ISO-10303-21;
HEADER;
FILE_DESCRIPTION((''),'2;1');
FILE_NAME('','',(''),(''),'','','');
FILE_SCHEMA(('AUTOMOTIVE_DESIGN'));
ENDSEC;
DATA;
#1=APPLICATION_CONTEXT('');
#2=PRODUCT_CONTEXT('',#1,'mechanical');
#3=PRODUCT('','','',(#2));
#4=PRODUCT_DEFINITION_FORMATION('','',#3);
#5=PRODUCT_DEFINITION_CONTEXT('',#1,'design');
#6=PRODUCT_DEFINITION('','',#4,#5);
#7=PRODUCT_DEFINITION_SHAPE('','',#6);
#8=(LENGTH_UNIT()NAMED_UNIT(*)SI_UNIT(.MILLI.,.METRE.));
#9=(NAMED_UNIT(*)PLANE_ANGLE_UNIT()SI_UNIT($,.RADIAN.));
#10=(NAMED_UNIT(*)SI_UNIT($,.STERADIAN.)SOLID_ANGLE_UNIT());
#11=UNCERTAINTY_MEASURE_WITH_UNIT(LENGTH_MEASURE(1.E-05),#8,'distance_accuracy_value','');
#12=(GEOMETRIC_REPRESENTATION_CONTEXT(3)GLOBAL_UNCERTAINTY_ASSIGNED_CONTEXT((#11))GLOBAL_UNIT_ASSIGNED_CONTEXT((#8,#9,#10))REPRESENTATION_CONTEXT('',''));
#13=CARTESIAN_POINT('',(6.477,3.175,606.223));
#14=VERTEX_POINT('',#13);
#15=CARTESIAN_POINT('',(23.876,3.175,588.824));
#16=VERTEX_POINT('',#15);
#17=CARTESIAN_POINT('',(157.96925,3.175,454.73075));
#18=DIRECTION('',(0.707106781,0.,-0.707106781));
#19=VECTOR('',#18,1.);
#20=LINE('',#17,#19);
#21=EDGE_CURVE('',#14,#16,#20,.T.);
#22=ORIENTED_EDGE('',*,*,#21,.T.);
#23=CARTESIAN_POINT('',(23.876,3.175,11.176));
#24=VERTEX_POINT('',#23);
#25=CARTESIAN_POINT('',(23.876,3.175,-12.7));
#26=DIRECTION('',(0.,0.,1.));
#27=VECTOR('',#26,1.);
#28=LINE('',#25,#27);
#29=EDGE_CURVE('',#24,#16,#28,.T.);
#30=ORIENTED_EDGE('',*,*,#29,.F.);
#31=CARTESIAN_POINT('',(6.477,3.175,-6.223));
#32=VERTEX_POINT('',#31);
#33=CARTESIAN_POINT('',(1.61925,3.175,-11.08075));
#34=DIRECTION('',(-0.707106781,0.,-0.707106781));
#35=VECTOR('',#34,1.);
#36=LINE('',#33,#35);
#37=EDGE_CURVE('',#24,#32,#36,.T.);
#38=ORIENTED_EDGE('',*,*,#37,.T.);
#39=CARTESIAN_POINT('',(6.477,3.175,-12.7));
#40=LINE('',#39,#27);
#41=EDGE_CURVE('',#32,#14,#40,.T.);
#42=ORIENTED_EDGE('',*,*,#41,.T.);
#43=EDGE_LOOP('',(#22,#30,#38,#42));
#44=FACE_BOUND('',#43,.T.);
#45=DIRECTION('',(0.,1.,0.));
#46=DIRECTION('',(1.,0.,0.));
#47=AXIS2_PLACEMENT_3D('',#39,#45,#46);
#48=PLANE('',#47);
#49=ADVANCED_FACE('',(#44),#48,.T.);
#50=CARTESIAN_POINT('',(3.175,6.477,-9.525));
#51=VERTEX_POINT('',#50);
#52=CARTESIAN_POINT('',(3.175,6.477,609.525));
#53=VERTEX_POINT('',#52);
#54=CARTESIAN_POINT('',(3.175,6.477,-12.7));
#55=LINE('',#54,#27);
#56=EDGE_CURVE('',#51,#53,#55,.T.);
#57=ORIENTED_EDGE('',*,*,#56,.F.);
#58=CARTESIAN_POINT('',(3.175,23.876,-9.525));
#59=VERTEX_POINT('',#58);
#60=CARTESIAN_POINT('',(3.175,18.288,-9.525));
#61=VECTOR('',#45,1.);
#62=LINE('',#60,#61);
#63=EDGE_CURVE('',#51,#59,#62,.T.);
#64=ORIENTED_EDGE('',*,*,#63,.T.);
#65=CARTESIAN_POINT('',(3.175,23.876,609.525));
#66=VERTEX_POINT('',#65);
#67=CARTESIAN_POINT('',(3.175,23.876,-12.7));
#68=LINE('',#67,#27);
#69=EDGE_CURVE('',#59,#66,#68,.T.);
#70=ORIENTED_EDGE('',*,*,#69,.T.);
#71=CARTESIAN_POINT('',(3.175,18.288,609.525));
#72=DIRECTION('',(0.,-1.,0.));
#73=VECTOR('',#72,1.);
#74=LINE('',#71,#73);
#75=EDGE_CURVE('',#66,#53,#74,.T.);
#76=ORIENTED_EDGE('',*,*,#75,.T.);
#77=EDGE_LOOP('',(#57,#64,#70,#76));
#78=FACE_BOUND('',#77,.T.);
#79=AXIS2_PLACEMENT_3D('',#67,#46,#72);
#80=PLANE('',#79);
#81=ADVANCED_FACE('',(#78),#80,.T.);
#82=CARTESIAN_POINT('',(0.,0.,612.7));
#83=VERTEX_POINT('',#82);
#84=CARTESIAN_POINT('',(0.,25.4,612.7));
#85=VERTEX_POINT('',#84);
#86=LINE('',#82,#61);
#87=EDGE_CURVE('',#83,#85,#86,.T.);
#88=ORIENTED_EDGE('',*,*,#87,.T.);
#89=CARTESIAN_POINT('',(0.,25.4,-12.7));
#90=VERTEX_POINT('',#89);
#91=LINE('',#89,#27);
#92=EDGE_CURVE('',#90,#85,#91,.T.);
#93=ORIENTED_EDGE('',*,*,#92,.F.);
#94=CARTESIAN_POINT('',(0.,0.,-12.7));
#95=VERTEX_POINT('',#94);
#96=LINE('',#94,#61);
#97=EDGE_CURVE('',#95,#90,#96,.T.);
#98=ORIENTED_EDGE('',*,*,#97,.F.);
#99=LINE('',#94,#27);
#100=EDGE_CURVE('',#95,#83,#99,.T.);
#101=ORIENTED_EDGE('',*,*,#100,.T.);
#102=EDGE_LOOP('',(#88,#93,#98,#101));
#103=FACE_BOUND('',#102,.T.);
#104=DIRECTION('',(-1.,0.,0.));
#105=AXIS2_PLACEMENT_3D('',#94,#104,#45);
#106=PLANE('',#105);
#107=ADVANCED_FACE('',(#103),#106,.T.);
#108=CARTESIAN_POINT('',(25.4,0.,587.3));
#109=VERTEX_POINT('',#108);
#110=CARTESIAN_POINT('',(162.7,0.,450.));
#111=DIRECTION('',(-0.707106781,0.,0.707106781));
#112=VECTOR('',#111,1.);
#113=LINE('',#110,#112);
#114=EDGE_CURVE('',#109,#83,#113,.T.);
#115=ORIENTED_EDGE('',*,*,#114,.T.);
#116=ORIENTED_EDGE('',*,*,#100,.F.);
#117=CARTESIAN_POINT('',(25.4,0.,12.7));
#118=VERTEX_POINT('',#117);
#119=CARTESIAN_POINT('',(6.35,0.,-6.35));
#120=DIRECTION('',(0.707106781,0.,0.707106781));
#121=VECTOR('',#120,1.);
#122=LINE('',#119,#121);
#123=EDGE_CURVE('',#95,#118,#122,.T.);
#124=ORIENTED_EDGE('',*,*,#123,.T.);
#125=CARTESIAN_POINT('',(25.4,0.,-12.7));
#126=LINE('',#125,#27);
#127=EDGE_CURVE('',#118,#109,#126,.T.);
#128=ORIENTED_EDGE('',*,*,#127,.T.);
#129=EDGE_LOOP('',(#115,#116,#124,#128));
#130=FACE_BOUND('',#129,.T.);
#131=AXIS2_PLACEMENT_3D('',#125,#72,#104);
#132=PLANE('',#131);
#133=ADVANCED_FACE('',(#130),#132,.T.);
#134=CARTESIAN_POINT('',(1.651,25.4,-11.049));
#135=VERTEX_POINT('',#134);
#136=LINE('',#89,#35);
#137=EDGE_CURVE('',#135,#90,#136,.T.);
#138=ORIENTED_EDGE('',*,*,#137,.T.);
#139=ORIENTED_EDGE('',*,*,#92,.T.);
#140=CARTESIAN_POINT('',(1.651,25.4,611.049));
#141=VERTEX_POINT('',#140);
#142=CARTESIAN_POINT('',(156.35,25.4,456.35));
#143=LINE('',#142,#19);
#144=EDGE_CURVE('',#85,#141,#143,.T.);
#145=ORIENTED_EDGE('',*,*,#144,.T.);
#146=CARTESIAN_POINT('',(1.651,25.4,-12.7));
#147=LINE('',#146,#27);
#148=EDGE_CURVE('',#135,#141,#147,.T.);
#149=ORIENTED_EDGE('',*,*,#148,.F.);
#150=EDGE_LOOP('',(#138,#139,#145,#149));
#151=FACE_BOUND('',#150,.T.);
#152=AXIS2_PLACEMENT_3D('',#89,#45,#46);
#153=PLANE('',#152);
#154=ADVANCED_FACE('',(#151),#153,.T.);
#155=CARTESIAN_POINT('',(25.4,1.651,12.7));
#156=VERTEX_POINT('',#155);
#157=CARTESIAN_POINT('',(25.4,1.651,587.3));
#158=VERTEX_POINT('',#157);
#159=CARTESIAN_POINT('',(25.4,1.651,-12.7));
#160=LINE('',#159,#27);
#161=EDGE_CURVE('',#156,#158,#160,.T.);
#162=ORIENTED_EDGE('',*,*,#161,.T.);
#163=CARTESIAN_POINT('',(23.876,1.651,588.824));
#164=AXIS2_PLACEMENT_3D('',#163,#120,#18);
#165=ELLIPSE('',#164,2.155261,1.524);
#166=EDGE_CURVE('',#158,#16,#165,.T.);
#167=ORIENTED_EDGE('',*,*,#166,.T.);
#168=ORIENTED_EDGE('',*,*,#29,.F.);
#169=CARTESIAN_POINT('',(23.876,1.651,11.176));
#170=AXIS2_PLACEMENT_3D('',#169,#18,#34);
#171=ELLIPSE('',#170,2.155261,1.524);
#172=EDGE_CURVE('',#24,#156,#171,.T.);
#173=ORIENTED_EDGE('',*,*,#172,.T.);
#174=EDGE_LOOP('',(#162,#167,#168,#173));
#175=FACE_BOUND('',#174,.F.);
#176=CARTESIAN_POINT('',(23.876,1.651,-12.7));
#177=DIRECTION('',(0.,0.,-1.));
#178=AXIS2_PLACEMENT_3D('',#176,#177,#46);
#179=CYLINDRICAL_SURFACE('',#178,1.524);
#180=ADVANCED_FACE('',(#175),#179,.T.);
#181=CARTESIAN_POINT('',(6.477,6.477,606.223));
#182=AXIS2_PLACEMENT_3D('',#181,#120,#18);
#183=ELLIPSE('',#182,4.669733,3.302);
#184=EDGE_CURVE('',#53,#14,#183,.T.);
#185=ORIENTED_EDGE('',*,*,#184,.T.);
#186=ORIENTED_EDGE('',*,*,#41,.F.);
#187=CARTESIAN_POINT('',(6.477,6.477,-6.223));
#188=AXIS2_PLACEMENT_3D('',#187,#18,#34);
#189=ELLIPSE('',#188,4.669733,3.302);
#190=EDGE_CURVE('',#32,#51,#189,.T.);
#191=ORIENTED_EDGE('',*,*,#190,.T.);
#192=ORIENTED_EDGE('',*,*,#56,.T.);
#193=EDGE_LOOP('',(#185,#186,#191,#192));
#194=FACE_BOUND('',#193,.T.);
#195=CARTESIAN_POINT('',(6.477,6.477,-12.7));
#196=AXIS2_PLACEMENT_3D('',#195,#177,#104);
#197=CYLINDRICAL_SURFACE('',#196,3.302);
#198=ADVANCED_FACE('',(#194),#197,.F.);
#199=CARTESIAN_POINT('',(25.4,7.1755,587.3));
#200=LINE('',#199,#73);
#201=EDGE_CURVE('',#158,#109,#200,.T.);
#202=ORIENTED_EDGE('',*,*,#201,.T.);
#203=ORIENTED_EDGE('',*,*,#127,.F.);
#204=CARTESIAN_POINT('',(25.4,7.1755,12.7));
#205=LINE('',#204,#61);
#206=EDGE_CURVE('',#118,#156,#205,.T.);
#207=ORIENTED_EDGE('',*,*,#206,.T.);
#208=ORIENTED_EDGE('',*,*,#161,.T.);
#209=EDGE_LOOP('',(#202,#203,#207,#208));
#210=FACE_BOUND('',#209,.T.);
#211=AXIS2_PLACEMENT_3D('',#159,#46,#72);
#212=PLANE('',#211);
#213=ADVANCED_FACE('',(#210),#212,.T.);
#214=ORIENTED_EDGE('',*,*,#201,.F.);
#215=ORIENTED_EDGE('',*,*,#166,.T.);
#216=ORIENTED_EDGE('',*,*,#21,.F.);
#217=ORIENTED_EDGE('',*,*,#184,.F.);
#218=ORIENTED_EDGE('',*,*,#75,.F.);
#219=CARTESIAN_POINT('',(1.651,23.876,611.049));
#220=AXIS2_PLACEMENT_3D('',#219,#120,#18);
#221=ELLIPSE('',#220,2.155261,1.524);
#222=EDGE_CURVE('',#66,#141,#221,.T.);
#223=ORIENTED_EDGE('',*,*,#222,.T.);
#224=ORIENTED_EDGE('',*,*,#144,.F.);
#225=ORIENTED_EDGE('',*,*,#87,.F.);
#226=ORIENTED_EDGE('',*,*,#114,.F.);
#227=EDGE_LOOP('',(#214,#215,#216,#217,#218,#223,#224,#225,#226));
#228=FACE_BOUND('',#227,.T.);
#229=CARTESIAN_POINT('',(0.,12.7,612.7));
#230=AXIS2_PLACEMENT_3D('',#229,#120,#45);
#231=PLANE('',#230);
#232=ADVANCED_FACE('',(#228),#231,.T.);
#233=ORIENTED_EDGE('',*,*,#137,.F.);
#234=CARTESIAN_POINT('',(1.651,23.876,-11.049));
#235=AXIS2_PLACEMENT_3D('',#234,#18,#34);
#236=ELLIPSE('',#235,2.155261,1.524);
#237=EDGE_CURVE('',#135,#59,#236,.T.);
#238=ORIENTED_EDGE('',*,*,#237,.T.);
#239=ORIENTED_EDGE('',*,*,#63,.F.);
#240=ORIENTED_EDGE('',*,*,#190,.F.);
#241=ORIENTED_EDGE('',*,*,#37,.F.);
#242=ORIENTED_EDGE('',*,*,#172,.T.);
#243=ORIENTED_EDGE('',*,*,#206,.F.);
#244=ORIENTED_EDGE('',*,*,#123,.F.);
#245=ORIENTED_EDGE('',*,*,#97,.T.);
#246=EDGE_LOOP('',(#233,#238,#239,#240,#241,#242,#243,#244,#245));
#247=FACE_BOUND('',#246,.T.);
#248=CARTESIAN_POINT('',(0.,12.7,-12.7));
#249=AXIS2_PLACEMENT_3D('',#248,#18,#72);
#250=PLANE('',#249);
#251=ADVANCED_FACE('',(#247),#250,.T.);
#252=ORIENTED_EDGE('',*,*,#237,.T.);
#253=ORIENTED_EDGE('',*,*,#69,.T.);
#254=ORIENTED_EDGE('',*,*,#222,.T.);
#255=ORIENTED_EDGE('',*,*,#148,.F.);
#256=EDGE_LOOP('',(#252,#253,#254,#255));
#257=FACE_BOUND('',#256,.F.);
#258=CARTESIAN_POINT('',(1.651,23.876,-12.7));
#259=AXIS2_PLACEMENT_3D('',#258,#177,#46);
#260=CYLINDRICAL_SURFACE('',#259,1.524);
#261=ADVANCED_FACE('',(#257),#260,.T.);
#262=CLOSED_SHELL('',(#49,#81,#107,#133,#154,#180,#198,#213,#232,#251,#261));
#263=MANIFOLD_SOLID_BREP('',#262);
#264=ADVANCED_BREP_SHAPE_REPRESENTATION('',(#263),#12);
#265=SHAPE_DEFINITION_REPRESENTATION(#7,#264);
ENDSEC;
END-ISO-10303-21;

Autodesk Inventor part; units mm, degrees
ref_plane "Start Plane" through (0, 0, -12.7) normal (0, 0, 1) x (1, 0, 0)
ref_plane "End Plane" through (0, 0, 612.7) normal (0, 0, 1) x (1, 0, 0)
sketch "Sketch" plane through (0, 0, 0) normal (0, 0, 1) x (1, 0, 0)
  line L0 (25.4, 0) -> (0, 0)
  line L1 (0, 0) -> (0, 25.4)
  line L2 (0, 25.4) -> (1.651, 25.4)
  line L3 (3.175, 23.876) -> (3.175, 6.477)
  line L4 (6.477, 3.175) -> (23.876, 3.175)
  line L5 (25.4, 1.651) -> (25.4, 0)
  line L6 (0, -11.0414) -> (0, 31.5385) construction
  line L7 (-11.0414, 0) -> (31.5385, 0) construction
  arc A0 (3.175, 6.477) -> (6.477, 3.175) centre (6.477, 6.477) ccw
  arc A1 (3.175, 23.876) -> (1.651, 25.4) centre (1.651, 23.876) ccw
  arc A2 (25.4, 1.651) -> (23.876, 3.175) centre (23.876, 1.651) ccw
  line L8 (0, 40.0545) -> (0, -19.5574) construction
  line L9 (-19.5574, 0) -> (40.0545, 0) construction
  point P0 (3.175, 25.4)
  point P1 (3.175, 3.175)
  point P2 (25.4, 3.175)
  dimension "d0" = 25.4
  dimension "d1" = 25.4
  dimension "d2" = 3.175
  dimension "d3" = 3.175
  dimension "d10" = 0
  dimension "d11" = 0
  dimension "d14" = 3.302
  dimension "d15" = 1.524
extrude "Body" add sketch "Sketch" along normal up to surface (625.4 mm away) from surface at -12.7
sketch "Sketch3" plane through (0, 0, 0) normal (0, 0, 1) x (1, 0, 0)
  line L0 (0, 0) -> (10, 0)
ref_plane "Work Plane3" through (0, 0, 0) normal (0, -1, 0) x (1, 0, 0)
ref_plane "Work Plane4" through (0, 12.7, 612.7) normal (0.7071, 0, 0.7071) x (0.7071, 0, -0.7071)
split "Split1" plane through (0, 12.7, 612.7) removes the side toward (0.7071, 0, 0.7071)
ref_plane "Work Plane5" through (0, 12.7, -12.7) normal (0.7071, 0, -0.7071) x (-0.7071, 0, -0.7071)
split "Split2" plane through (0, 12.7, -12.7) removes the side toward (0.7071, 0, -0.7071)
sketch "Sketch4" plane through (0, 0, 0) normal (0, -1, 0) x (1, 0, 0)
  line L0 (-2, -12.7) -> (12, -12.7) projected
  line L1 (-2, 612.7) -> (12, 612.7) projected
  dimension "d17" = 625.4
equation "\"d0\" = G_H"
equation "\"d1\" = G_H"
equation "\"d2\" = G_T"
equation "\"d3\" = G_T"
equation "\"d14\" = G_IR"
equation "\"d15\" = G_ER"
equation "\"d4\" = G_L"
equation "\"G_H\" = 25.4"
equation "\"G_T\" = 3.175"
equation "\"G_ER\" = 1.524"
equation "\"G_IR\" = 3.302"
equation "\"G_L\" = d17"
equation "\"ex\" = 0"
equation "\"G_OFFSET_START\" = 12.7"
equation "\"G_OFFSET_END\" = 12.7"
equation "\"d12\" = -G_OFFSET_START"
equation "\"d13\" = G_OFFSET_END + B_L"
equation "\"B_L\" = 600"
properties part number "AISC - L 1 x 1 x 1/8 - 24.622" material "Steel, Mild"
